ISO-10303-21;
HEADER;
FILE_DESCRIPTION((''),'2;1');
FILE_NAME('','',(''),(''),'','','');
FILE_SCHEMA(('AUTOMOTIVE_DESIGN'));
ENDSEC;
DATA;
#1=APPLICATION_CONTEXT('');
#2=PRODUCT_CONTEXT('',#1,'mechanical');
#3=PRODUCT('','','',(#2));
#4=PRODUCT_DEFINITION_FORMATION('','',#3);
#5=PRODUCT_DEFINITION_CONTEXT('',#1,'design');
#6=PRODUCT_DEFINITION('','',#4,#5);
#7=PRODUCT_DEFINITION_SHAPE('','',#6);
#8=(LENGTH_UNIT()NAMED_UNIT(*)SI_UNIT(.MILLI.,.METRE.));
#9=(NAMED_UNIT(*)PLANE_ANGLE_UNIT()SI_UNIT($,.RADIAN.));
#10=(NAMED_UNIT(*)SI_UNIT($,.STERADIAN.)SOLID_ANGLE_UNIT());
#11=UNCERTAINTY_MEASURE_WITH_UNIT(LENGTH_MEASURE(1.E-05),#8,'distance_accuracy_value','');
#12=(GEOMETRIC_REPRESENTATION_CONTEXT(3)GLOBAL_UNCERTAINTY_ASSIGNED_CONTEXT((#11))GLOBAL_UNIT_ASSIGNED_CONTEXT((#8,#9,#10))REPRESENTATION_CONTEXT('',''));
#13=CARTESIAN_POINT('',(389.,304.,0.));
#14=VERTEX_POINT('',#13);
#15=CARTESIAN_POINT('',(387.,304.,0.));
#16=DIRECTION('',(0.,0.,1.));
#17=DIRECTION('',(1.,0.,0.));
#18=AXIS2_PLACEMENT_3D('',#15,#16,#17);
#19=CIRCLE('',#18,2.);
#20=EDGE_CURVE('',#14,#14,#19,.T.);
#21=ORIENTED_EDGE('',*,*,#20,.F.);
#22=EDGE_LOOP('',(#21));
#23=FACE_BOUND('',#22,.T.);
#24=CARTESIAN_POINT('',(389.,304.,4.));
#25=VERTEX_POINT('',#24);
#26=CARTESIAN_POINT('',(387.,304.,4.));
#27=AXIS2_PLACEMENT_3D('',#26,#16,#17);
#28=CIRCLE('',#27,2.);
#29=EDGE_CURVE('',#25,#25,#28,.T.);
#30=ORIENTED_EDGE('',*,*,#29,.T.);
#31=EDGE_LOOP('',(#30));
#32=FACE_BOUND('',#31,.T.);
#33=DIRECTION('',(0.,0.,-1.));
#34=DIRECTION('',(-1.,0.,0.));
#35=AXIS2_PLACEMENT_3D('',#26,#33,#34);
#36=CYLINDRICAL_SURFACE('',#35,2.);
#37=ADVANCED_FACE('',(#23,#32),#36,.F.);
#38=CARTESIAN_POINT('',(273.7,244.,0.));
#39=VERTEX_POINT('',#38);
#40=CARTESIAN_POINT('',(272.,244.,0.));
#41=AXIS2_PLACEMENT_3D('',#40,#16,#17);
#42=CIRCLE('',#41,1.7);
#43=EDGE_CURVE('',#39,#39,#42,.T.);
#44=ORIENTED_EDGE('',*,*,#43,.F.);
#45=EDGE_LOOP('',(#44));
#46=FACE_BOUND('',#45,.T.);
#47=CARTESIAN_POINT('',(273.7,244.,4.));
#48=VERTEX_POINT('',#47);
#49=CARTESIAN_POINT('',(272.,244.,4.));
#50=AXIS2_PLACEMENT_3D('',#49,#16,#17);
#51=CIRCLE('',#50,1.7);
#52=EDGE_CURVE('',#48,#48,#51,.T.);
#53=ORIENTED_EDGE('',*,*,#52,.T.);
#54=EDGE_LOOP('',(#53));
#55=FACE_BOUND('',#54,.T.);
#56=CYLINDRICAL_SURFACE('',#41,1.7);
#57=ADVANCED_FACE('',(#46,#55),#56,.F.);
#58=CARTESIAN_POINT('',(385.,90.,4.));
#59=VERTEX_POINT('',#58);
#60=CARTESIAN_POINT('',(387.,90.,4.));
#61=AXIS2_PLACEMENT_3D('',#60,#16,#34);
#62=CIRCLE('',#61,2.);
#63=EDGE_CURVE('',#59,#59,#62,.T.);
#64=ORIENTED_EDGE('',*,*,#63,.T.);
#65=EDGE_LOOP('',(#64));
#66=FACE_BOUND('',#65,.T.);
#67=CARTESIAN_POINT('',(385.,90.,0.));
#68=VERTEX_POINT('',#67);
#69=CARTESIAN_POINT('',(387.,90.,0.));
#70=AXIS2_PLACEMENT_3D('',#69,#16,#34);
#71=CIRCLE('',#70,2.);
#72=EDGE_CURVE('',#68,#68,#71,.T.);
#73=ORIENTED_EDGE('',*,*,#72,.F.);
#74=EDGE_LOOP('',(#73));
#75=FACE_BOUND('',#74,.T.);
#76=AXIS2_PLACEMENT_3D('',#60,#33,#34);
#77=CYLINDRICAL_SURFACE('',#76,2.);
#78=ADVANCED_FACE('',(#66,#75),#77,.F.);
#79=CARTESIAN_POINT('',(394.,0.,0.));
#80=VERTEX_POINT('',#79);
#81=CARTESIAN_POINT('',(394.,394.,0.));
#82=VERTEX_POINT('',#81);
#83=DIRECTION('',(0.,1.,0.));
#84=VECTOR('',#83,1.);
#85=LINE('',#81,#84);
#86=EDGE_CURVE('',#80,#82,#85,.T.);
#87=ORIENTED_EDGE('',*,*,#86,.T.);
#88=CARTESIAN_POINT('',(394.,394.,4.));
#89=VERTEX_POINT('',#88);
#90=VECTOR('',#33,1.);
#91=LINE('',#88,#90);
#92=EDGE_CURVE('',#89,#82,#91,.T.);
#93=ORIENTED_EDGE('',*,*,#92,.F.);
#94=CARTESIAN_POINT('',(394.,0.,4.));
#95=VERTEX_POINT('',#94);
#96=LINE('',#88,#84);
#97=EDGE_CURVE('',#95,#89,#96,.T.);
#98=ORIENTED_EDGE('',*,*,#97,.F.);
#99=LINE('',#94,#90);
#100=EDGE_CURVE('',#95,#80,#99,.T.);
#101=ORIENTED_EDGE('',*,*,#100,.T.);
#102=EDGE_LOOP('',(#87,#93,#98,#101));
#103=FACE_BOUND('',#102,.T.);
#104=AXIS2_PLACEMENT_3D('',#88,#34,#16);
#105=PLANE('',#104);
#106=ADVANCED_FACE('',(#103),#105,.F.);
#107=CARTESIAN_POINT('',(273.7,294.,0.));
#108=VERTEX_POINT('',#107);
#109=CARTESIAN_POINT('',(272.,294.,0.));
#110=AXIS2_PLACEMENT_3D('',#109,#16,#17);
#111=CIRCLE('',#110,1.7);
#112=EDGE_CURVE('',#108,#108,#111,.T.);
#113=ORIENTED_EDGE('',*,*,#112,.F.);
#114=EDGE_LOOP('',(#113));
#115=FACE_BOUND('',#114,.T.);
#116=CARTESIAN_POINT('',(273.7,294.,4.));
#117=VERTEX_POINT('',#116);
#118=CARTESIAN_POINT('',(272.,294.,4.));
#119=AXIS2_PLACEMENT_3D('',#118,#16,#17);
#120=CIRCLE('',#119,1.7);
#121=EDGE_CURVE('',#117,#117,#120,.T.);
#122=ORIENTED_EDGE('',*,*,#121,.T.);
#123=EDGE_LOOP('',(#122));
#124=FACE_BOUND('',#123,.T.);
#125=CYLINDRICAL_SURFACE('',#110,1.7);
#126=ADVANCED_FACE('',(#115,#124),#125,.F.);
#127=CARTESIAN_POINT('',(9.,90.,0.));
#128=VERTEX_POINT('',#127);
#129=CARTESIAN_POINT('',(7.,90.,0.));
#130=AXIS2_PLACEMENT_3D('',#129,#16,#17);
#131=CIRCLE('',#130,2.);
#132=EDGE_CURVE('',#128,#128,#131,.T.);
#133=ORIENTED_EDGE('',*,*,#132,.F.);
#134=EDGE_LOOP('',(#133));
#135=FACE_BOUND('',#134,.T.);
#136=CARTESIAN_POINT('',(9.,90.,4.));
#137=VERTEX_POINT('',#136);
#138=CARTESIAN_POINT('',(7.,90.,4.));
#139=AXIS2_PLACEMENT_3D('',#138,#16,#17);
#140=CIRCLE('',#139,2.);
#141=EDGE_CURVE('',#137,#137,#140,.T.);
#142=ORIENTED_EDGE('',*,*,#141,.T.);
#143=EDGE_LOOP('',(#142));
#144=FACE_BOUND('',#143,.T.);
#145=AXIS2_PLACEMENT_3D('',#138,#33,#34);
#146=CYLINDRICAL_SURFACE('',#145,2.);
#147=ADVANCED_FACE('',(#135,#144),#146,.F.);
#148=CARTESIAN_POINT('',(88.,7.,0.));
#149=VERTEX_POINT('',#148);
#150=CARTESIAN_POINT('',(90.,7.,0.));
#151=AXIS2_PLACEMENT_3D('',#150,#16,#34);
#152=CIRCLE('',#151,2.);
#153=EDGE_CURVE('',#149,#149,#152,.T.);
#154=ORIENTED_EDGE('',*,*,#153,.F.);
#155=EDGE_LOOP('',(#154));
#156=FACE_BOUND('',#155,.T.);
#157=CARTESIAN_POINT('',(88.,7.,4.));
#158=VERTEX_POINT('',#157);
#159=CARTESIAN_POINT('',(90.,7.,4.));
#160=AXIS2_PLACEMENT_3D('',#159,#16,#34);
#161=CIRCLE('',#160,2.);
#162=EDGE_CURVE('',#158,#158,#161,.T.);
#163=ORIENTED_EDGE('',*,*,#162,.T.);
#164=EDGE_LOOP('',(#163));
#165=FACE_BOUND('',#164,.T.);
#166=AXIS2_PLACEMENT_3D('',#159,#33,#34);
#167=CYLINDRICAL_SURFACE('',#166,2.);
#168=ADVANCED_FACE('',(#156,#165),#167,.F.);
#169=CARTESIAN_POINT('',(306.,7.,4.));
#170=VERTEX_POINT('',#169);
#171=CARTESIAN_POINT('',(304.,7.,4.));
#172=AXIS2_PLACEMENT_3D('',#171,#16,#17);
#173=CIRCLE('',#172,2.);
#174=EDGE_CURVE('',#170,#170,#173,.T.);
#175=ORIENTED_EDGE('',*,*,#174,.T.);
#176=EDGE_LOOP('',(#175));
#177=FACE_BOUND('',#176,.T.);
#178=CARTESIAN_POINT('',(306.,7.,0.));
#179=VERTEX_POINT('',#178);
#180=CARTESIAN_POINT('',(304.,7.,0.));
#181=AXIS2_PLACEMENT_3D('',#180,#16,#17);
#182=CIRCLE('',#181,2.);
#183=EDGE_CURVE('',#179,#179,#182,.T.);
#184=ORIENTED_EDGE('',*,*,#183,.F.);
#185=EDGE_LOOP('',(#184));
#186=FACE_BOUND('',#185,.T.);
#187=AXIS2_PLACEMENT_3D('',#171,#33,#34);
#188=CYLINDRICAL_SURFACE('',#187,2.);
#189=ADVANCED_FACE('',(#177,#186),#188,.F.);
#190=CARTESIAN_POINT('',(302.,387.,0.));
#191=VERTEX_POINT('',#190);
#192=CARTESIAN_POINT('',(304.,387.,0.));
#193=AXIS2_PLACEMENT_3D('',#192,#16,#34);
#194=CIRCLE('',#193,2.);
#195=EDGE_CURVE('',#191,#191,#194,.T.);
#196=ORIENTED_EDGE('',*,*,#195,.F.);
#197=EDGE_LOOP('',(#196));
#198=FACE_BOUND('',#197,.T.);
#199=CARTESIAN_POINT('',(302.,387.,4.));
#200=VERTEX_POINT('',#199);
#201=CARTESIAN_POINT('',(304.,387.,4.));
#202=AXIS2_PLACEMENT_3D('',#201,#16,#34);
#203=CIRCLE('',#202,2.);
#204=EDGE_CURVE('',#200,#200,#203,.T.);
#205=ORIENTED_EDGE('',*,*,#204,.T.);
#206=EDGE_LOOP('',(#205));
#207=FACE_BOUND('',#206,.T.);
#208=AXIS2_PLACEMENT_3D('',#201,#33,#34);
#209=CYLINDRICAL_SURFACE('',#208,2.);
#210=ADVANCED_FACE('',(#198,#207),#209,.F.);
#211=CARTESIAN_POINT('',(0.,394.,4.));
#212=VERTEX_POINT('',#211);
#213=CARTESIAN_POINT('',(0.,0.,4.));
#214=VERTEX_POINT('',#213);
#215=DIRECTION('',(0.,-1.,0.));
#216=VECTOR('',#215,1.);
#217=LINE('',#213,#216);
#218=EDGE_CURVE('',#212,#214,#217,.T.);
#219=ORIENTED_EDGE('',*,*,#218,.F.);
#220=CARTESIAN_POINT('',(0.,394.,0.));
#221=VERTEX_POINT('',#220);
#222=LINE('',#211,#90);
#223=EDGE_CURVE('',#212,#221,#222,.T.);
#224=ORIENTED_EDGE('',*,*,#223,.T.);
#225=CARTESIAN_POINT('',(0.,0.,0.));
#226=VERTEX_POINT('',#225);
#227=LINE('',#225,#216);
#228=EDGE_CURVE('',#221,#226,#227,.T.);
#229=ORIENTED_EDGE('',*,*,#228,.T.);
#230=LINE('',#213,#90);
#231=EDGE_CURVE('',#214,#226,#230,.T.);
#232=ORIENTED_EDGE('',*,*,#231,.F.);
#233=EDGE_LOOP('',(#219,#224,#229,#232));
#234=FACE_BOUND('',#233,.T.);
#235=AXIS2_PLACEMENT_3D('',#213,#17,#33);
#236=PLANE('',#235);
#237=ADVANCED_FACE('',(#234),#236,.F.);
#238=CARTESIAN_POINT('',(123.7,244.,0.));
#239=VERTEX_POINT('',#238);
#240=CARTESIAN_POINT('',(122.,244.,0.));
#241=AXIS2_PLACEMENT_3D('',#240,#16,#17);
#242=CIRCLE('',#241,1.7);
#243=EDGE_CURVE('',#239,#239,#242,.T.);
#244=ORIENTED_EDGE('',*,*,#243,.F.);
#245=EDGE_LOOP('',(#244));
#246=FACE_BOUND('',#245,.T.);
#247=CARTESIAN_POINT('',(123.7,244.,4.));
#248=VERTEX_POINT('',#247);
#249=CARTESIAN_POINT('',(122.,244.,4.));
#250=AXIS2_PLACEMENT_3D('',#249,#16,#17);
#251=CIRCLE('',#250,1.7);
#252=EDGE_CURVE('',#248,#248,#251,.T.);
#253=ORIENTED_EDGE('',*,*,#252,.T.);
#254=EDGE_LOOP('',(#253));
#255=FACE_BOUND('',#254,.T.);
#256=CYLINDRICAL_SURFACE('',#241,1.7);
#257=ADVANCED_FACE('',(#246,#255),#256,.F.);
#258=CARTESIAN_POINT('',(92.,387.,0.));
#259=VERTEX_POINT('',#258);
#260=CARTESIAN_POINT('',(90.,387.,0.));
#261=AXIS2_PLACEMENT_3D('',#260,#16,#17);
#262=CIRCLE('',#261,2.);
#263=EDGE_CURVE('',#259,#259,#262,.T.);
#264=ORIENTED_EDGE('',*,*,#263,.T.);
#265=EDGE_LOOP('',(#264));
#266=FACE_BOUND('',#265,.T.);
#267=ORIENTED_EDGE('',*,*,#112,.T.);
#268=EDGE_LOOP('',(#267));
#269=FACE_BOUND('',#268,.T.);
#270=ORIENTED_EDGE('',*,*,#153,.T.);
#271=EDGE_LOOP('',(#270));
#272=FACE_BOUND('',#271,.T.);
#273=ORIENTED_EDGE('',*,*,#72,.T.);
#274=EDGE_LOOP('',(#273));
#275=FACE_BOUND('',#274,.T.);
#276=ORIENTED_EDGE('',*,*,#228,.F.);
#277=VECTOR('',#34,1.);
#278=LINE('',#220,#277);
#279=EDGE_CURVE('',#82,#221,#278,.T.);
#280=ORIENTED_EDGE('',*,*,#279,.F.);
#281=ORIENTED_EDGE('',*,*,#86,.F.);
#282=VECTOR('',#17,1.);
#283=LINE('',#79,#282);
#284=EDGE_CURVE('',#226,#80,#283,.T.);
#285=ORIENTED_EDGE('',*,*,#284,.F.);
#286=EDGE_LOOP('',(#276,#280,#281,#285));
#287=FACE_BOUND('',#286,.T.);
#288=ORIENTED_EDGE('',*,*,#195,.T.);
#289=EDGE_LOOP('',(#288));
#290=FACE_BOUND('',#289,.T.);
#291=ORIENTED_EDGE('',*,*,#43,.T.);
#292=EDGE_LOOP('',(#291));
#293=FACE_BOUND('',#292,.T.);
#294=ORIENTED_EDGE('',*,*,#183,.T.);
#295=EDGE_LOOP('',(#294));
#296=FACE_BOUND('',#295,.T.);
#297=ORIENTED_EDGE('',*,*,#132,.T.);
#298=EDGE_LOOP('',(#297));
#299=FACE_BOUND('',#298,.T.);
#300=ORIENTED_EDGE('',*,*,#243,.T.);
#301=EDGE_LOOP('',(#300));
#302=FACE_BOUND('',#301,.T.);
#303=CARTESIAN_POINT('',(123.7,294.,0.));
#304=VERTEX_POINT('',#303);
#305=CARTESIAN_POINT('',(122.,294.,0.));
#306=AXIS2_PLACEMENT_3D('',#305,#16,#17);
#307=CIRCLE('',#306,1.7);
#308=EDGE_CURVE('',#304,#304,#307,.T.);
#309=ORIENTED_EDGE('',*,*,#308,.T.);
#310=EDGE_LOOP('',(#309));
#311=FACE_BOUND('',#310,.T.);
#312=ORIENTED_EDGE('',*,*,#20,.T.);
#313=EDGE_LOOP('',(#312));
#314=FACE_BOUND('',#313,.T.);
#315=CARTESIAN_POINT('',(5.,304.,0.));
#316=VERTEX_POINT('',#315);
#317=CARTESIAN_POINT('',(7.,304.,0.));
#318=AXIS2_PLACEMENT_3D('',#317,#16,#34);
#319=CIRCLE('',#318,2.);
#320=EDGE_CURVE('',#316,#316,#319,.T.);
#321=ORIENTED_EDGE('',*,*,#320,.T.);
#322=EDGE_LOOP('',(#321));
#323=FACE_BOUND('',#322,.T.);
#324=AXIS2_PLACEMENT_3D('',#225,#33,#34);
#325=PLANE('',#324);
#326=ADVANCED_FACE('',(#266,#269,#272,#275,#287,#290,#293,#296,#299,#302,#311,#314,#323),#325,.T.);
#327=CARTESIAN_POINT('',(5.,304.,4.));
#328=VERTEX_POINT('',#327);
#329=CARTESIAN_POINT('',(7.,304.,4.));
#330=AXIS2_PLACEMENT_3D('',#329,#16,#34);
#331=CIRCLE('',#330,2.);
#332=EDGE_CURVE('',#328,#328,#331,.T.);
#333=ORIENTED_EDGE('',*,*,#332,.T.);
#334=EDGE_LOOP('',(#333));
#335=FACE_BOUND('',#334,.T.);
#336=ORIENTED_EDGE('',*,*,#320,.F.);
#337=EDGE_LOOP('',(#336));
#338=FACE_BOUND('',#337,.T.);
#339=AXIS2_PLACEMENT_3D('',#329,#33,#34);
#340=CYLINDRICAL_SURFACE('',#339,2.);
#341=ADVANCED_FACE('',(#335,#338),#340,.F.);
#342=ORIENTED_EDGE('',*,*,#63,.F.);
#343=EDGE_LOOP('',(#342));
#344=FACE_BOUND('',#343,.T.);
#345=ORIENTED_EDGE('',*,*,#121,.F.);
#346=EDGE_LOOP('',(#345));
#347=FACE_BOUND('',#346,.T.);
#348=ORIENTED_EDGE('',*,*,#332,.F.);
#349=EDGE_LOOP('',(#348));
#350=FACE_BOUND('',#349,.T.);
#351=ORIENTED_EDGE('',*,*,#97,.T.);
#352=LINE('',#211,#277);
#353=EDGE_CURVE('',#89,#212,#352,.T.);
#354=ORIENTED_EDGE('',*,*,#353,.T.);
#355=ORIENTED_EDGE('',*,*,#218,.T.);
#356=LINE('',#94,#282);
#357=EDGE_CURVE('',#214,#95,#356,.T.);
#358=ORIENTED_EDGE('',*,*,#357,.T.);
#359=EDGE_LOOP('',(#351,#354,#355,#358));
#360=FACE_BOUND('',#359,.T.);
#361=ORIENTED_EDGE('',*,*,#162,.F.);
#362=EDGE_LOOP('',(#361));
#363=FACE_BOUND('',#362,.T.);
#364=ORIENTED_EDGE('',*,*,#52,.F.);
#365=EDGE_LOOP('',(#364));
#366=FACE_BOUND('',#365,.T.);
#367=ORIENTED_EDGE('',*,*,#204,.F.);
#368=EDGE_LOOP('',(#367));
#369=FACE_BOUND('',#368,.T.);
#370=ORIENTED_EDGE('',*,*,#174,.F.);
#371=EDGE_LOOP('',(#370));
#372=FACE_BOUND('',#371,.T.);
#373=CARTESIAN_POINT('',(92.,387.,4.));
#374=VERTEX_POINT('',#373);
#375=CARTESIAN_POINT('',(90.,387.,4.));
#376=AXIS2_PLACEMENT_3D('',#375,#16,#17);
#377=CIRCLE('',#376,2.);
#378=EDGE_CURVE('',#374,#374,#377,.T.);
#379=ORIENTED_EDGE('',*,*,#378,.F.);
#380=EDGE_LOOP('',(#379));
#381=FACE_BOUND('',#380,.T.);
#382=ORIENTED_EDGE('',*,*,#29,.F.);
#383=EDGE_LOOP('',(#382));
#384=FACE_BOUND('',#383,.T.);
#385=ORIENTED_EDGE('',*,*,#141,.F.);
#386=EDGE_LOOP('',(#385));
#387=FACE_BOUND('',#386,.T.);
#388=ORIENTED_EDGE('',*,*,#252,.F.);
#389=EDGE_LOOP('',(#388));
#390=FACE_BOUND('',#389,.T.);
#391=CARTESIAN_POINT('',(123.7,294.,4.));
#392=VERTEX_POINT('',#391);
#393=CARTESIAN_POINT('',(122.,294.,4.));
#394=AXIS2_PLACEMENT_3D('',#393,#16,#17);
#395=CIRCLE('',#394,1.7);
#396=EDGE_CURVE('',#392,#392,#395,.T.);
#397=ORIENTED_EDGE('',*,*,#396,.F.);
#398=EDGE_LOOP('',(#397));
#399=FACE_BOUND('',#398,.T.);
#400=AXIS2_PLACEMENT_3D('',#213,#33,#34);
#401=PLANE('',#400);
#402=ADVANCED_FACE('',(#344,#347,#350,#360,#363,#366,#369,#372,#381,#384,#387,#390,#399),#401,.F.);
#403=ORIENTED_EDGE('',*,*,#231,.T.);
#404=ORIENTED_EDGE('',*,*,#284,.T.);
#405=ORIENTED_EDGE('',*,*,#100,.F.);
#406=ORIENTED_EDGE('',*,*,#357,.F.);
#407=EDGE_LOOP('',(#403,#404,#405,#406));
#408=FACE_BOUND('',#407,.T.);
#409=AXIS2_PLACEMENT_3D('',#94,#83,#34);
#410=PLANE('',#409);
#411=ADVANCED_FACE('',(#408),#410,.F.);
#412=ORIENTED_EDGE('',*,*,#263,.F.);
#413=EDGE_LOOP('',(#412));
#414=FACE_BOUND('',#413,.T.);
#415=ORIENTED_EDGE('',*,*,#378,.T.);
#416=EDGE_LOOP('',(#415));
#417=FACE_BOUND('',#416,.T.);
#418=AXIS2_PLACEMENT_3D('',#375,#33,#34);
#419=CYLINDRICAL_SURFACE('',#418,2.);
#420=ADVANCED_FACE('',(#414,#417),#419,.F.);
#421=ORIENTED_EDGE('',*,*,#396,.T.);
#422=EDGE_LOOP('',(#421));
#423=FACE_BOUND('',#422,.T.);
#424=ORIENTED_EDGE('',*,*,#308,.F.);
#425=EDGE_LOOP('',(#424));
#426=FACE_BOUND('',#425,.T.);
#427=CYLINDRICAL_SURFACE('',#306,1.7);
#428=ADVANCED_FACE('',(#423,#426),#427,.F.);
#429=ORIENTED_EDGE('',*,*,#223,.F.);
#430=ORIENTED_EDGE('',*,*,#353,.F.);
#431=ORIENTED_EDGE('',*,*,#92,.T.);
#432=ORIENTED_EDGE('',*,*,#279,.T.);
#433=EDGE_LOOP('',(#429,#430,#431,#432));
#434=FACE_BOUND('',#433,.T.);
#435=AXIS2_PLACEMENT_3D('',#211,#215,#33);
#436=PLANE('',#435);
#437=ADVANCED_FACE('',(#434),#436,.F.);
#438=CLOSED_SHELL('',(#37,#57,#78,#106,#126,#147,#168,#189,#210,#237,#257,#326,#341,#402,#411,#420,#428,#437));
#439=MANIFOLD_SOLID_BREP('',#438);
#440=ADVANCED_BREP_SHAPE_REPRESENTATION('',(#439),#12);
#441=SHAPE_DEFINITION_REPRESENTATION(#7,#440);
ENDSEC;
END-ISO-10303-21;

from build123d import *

# Parameters (mm, degrees)
SCHIZZO1_W                   = 394
SCHIZZO1_H                   = 394
SCHIZZO1_R                   = 2
ESTRUSIONE_ESTRUSIONE1_DEPTH = 4
SCHIZZO2_R                   = 1.7
TAGLIO_ESTRUSIONE1_DEPTH     = 558.214500888


with BuildPart() as part:
    # Schizzo1 → Estrusione-Estrusione1 (new body)
    with BuildSketch(Plane.XY):
        with Locations((197, 197)):
            Rectangle(SCHIZZO1_W, SCHIZZO1_H)
        with Locations((90, 387)):
            Circle(SCHIZZO1_R, mode=Mode.SUBTRACT)
        with Locations(Location((304, 387, 0), (0, 0, 180))):
            Circle(SCHIZZO1_R, mode=Mode.SUBTRACT)
        with Locations((387, 304)):
            Circle(SCHIZZO1_R, mode=Mode.SUBTRACT)
        with Locations(Location((7, 304, 0), (0, 0, 180))):
            Circle(SCHIZZO1_R, mode=Mode.SUBTRACT)
        with Locations(Location((387, 90, 0), (0, 0, 180))):
            Circle(SCHIZZO1_R, mode=Mode.SUBTRACT)
        with Locations((304, 7)):
            Circle(SCHIZZO1_R, mode=Mode.SUBTRACT)
        with Locations(Location((90, 7, 0), (0, 0, 180))):
            Circle(SCHIZZO1_R, mode=Mode.SUBTRACT)
        with Locations((7, 90)):
            Circle(SCHIZZO1_R, mode=Mode.SUBTRACT)
    extrude(amount=ESTRUSIONE_ESTRUSIONE1_DEPTH)

    # Schizzo2 → Taglio-Estrusione1 (cut, through all)
    with BuildSketch(Plane.XY.offset(4)):
        with Locations((122, 294)):
            Circle(SCHIZZO2_R)
        with Locations((122, 244)):
            Circle(SCHIZZO2_R)
        with Locations((272, 294)):
            Circle(SCHIZZO2_R)
        with Locations((272, 244)):
            Circle(SCHIZZO2_R)
    extrude(amount=-TAGLIO_ESTRUSIONE1_DEPTH, mode=Mode.SUBTRACT)


solid = part.part
